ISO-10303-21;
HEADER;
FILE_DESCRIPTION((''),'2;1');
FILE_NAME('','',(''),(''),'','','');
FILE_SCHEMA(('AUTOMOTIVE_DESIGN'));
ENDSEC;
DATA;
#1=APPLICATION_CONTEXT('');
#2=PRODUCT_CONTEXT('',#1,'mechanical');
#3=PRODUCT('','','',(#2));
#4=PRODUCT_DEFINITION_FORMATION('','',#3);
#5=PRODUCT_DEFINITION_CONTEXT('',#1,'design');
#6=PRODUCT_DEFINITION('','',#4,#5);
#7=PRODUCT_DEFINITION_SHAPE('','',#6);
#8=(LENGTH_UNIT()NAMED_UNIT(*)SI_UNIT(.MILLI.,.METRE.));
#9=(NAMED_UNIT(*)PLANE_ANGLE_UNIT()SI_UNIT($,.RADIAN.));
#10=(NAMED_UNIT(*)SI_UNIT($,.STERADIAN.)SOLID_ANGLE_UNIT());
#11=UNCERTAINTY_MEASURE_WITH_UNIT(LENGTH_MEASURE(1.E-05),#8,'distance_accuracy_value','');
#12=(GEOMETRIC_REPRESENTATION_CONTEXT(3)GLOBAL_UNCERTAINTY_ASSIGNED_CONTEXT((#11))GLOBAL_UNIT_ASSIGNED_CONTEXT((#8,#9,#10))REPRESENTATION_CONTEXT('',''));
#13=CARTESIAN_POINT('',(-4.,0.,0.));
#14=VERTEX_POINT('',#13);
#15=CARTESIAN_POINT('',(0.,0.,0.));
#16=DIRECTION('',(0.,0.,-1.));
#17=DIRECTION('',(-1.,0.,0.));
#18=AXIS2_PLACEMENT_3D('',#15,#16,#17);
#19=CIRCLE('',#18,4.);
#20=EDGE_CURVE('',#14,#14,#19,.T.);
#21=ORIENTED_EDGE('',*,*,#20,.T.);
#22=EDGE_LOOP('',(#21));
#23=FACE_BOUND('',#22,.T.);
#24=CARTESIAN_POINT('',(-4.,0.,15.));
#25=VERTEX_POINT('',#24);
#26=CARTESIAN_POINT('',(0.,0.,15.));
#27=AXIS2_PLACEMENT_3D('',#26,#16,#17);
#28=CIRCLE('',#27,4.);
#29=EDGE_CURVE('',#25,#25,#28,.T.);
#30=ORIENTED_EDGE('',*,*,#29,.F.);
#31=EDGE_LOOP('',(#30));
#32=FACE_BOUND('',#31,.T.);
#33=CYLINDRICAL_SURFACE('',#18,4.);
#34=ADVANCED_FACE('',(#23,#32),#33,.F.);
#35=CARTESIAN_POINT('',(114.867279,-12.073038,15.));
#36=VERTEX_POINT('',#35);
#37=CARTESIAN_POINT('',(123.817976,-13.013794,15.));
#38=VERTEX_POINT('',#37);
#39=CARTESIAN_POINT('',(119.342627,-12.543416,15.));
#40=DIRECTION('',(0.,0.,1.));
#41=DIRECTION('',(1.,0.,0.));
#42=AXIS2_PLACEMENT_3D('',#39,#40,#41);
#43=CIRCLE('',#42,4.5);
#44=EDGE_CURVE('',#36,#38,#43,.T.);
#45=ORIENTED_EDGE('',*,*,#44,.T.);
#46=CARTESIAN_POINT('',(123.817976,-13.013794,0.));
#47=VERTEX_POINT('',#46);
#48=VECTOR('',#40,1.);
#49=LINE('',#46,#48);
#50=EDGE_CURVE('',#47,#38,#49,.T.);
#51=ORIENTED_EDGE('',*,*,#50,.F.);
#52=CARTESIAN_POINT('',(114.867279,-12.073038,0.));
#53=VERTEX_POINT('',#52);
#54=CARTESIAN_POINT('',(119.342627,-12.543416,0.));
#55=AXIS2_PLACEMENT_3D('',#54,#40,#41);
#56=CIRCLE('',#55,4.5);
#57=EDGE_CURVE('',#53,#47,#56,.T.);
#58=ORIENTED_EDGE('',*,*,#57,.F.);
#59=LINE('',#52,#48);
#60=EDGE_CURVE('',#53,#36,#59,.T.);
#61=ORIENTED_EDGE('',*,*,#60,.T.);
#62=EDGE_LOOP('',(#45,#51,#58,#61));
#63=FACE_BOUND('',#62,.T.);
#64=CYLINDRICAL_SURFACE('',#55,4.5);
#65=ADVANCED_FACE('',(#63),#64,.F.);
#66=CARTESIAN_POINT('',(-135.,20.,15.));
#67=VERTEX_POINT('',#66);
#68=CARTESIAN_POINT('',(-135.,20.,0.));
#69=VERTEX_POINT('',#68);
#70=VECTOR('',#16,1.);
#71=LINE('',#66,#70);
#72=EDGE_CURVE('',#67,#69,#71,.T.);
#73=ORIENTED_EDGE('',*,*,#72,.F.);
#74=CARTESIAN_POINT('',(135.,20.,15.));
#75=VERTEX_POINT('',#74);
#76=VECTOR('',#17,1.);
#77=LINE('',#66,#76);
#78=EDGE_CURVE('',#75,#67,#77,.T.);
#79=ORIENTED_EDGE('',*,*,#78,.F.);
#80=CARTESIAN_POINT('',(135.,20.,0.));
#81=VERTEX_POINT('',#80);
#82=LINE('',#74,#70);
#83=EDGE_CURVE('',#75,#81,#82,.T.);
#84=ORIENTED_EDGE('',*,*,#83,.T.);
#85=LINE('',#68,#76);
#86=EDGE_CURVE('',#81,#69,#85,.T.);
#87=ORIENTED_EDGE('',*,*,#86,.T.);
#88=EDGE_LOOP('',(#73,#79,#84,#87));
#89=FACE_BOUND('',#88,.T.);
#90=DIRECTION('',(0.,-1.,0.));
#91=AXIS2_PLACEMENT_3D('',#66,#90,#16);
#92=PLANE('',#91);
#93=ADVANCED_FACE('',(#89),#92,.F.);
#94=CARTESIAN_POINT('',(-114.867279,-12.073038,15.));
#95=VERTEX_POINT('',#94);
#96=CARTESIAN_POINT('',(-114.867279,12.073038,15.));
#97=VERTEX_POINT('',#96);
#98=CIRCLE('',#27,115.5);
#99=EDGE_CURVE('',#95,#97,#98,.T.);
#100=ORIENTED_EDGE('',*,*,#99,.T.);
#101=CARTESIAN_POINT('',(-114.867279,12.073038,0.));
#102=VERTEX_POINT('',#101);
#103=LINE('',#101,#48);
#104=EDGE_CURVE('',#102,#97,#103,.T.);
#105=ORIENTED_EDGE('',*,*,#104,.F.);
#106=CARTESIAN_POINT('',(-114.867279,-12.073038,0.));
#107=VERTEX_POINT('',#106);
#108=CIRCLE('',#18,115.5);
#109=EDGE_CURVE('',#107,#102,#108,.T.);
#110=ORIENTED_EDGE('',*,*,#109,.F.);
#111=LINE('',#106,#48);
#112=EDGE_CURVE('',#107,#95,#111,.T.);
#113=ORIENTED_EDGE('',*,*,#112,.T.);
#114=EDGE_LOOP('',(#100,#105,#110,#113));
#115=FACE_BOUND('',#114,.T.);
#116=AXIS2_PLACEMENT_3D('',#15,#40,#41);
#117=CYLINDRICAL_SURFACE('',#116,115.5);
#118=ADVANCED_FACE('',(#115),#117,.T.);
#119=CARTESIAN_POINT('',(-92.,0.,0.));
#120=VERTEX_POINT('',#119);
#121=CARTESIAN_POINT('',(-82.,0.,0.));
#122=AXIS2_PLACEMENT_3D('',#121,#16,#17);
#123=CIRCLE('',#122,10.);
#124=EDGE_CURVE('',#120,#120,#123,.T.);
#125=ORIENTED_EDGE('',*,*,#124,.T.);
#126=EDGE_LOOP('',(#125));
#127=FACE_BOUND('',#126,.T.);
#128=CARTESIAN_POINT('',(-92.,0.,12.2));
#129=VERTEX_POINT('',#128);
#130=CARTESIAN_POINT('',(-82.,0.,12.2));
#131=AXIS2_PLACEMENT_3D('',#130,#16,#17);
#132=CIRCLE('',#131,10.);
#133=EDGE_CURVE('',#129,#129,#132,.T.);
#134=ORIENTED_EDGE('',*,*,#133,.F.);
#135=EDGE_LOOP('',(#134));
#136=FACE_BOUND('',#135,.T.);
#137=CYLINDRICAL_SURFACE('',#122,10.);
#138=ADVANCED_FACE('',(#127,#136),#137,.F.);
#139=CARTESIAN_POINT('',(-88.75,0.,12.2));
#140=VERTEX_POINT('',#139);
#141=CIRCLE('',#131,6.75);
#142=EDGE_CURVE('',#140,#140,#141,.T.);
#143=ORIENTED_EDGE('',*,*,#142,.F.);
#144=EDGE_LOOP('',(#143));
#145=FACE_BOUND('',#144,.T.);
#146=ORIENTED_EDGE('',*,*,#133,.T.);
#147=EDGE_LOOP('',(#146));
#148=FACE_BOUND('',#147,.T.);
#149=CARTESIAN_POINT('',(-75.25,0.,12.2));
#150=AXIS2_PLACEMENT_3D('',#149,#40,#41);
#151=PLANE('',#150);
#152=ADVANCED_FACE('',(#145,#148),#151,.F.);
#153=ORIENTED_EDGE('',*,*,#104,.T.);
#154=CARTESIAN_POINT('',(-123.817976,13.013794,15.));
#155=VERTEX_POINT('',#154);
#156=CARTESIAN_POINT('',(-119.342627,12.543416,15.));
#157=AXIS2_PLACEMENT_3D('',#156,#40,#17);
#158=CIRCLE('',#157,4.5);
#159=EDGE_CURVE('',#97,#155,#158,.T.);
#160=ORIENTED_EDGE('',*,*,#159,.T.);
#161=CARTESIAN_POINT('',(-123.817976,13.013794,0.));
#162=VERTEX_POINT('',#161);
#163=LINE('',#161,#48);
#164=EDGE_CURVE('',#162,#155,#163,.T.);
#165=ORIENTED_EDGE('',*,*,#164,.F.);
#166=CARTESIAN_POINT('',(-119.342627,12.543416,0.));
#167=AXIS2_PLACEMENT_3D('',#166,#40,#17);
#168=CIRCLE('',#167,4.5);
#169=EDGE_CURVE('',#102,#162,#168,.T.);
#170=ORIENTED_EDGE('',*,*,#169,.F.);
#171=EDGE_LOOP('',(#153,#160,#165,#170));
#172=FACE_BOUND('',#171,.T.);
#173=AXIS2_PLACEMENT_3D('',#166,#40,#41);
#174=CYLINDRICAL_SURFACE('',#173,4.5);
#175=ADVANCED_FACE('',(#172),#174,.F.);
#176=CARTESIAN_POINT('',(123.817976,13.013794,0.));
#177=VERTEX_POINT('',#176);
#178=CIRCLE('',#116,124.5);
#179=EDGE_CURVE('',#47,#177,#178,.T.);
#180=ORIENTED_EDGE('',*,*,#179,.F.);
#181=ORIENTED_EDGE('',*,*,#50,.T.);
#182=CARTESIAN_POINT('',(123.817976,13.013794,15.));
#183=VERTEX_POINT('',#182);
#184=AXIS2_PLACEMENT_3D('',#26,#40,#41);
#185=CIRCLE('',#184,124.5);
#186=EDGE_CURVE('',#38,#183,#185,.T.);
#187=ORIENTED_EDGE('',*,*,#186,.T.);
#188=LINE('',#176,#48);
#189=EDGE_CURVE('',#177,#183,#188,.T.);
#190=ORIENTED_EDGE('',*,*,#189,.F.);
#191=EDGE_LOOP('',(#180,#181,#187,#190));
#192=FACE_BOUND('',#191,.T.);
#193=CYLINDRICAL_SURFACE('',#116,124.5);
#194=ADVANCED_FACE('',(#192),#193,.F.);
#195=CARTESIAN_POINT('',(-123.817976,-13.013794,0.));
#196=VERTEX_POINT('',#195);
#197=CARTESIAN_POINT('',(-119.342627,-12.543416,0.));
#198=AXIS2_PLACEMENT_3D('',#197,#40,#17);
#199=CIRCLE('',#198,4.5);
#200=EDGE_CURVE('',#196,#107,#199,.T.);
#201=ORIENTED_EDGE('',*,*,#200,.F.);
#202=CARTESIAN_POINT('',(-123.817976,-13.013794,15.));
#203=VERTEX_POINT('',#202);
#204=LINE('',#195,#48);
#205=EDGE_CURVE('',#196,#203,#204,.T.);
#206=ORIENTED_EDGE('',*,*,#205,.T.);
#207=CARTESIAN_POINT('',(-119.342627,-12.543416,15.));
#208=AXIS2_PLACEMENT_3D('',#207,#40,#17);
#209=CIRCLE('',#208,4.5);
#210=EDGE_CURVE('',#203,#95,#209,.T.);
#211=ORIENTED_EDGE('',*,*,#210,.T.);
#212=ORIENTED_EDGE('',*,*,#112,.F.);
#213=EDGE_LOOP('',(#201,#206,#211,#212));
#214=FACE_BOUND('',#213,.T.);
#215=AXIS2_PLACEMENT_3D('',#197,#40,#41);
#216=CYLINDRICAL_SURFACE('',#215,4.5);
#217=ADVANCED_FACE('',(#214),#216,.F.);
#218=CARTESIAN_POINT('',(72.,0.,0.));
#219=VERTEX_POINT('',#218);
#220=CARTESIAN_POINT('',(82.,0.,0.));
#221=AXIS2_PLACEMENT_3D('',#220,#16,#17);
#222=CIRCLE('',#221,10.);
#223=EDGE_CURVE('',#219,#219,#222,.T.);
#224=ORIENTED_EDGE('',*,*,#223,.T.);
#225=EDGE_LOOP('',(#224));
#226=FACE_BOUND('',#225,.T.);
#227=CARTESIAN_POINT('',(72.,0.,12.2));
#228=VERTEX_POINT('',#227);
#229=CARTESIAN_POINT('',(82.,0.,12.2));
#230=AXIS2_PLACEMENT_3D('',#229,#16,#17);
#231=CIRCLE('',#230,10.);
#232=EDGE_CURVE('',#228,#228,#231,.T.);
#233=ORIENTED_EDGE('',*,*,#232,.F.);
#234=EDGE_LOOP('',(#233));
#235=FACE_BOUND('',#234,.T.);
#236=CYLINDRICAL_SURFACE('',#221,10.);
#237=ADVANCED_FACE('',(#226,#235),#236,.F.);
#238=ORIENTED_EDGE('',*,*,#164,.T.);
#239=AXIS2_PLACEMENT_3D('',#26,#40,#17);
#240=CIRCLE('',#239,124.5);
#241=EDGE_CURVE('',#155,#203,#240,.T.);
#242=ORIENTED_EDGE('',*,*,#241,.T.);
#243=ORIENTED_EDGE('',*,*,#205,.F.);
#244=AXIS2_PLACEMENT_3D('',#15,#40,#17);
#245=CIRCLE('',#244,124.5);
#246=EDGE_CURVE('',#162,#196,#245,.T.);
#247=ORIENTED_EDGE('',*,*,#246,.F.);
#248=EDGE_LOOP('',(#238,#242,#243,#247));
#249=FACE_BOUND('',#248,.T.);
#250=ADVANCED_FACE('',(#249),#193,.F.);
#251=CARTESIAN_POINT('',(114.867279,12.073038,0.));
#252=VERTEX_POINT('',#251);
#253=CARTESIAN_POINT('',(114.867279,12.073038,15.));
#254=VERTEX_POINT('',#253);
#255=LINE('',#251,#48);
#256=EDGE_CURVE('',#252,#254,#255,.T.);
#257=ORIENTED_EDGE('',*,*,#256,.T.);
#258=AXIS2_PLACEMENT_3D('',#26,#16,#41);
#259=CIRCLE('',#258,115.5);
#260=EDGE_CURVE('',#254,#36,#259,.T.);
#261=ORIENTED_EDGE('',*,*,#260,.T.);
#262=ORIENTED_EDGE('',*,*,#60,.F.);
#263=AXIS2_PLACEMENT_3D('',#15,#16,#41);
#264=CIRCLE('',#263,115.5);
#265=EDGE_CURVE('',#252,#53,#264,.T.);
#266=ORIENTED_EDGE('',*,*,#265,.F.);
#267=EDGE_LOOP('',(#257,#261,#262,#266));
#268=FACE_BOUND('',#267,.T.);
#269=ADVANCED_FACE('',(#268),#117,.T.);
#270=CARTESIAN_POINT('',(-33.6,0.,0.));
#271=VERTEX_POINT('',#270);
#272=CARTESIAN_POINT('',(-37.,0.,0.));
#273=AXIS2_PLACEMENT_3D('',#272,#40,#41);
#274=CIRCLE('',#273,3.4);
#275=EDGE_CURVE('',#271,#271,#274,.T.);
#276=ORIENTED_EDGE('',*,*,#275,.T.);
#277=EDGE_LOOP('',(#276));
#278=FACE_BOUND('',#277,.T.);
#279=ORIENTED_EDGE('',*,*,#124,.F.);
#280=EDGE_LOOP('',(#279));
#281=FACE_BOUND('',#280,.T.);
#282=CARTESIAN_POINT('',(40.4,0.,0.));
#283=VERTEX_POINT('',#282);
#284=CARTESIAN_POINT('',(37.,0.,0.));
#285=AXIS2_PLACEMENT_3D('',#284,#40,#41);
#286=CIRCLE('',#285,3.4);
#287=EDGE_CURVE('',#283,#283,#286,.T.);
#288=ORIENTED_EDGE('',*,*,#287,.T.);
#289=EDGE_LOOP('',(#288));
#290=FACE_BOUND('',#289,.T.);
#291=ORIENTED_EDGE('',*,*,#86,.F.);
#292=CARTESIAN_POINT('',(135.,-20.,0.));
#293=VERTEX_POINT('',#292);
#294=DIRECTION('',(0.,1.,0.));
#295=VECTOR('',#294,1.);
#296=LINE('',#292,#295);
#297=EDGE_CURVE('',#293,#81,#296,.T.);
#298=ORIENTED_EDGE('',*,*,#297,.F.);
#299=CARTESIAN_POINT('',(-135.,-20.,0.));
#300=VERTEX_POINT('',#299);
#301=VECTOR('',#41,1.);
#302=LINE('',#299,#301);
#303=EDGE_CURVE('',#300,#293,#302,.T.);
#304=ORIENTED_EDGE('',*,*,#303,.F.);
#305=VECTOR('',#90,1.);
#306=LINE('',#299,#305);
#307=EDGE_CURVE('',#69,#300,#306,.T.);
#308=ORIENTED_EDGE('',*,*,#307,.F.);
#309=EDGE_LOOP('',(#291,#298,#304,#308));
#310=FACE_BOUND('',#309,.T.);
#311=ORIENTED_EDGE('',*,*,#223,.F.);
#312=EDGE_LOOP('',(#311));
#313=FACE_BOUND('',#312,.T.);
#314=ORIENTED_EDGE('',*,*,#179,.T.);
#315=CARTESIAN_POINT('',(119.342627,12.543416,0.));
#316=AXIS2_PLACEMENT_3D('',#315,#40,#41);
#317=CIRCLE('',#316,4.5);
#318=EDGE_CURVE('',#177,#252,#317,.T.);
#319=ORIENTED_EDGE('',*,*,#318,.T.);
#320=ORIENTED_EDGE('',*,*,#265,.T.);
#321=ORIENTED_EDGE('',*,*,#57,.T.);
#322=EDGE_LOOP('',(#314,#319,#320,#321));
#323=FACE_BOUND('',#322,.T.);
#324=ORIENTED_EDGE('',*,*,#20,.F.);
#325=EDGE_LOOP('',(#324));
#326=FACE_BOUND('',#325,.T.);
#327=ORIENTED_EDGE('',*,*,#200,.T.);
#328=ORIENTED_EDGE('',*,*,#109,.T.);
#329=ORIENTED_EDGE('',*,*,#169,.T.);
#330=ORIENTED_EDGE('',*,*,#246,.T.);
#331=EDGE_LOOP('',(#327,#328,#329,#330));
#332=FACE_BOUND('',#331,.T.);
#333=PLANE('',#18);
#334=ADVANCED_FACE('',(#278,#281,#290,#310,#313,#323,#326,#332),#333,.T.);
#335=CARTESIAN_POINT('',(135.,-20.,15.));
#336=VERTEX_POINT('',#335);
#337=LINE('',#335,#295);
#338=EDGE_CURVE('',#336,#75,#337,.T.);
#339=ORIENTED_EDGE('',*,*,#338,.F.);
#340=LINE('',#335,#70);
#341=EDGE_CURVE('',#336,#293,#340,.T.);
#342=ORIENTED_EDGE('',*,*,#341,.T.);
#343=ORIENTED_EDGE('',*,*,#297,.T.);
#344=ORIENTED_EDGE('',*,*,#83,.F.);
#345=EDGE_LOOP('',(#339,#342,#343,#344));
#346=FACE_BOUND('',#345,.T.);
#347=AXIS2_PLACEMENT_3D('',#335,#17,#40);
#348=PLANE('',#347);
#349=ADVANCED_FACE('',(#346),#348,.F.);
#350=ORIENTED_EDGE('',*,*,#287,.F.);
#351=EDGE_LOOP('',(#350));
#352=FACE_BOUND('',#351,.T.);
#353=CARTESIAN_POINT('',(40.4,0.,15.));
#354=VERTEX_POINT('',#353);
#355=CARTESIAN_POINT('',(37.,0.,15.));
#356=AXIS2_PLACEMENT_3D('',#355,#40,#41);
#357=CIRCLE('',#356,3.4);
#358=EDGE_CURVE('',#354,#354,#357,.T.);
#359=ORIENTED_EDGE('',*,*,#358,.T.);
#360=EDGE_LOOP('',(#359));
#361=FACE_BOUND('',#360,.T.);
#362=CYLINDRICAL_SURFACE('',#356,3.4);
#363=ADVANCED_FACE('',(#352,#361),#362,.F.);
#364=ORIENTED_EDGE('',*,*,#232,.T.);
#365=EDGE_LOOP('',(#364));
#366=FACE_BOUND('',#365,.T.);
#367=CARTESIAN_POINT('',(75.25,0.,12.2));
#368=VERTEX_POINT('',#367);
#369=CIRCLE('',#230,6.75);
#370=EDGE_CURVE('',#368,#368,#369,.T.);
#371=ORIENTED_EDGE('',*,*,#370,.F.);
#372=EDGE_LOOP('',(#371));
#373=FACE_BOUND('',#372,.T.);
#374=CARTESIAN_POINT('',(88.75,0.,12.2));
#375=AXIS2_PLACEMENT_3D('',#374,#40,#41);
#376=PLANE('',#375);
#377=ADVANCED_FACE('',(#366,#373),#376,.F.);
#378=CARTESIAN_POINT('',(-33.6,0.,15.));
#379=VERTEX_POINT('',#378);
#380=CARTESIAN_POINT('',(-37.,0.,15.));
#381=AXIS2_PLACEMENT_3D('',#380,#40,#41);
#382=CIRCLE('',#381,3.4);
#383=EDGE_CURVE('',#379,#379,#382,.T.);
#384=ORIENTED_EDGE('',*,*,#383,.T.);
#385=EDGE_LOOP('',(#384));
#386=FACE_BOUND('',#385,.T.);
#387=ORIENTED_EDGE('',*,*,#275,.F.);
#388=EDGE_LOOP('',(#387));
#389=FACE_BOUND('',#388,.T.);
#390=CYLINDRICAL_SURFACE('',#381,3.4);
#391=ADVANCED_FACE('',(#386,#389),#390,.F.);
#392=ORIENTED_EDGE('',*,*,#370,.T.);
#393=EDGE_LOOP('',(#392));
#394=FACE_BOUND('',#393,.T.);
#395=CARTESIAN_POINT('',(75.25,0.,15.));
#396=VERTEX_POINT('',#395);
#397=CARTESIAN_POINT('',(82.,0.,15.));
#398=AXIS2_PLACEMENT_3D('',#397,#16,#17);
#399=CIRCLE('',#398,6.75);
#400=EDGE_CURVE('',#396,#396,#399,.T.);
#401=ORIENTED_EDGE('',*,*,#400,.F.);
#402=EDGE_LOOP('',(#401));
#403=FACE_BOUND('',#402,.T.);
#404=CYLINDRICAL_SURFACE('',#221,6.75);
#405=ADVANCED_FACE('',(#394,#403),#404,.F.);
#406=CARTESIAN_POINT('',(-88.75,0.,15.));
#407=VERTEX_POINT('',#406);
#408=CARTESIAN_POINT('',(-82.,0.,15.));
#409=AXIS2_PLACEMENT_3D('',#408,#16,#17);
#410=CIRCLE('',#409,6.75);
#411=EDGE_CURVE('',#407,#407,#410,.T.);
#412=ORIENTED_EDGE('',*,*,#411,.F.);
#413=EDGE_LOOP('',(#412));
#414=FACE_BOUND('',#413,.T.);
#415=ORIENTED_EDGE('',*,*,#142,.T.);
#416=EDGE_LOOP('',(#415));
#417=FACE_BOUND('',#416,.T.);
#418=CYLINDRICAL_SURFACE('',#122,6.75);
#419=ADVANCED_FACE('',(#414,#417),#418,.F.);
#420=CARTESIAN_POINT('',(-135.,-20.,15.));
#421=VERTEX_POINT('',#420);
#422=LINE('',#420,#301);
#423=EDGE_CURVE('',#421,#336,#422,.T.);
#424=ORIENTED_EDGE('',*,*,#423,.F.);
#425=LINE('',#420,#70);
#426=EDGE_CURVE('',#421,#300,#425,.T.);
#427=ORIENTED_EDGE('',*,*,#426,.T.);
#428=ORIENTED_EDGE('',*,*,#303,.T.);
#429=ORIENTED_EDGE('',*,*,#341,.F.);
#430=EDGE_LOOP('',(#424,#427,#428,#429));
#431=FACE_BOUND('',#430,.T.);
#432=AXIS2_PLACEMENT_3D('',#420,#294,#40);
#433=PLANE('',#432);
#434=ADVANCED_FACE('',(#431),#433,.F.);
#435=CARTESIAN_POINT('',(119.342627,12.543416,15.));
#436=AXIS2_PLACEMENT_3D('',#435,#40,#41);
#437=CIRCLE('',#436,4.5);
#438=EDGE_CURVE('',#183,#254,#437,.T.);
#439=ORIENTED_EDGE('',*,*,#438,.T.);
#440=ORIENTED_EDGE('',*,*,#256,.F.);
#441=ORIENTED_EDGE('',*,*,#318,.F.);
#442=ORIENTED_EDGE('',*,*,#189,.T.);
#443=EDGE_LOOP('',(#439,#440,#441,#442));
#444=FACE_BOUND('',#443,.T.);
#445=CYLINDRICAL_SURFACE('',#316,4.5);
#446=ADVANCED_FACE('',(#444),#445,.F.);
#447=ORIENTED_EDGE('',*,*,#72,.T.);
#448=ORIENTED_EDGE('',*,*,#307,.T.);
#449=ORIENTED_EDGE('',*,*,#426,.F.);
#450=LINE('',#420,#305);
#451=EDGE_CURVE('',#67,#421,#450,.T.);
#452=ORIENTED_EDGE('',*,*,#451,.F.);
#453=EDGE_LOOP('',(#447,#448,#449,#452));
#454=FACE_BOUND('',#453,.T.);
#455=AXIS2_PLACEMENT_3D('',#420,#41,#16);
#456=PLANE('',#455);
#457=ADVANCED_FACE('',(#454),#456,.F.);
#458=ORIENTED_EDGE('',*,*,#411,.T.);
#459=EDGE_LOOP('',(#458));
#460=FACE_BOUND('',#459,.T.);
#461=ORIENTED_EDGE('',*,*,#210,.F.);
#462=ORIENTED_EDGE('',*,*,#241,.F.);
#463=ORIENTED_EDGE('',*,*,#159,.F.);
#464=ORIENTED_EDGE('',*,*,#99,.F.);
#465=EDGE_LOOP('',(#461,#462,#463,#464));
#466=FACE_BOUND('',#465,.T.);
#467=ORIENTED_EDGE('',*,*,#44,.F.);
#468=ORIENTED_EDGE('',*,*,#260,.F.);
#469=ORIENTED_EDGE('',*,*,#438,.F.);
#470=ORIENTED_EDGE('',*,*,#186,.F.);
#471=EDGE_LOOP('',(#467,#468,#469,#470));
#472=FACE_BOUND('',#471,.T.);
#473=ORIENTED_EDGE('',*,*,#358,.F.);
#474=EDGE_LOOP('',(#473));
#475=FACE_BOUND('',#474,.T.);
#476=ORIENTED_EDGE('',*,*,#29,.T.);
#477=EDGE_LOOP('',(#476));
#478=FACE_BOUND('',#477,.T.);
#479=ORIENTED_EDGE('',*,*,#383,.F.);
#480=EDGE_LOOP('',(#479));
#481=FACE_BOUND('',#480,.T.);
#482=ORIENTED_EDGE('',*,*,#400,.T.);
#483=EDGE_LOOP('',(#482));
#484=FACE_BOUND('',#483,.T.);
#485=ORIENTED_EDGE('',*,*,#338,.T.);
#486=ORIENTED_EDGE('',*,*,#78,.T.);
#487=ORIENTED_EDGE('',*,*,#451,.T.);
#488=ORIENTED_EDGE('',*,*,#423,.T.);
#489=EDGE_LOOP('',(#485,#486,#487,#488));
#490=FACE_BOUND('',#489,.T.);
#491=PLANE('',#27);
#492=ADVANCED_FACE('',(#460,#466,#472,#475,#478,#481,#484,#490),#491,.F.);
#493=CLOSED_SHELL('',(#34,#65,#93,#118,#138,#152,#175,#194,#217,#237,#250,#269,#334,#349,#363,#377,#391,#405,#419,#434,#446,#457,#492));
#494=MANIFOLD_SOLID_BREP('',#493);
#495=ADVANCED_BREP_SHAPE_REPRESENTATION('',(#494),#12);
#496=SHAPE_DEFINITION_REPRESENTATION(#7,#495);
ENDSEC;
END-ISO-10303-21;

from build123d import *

# Parameters (mm, degrees)
SKETCH_1_W                = 270
SKETCH_1_H                = 40
EXTRUDE_1_DEPTH           = 15
HOLE_WIZARD_1_D           = 13.5
HOLE_WIZARD_1_CBORE_D     = 20
HOLE_WIZARD_1_CBORE_DEPTH = 12.2
CUT_EXTRUDE_1_DEPTH       = 138.295302177
HOLE_WIZARD_M8_1_D        = 6.8
HOLE_WIZARD_1_2_D         = 8


with BuildPart() as part:
    # 草图1 → 凸台-拉伸1 (new body)
    with BuildSketch(Plane.XY):
        Rectangle(SKETCH_1_W, SKETCH_1_H)
    extrude(amount=EXTRUDE_1_DEPTH)

    # Hole Wizard 1 (through all)
    with Locations(Plane(origin=(0, 0, 0), x_dir=(-1, 0, 0), z_dir=(0, 0, -1))):
        with Locations((-82, 0), (82, 0)):
            CounterBoreHole(HOLE_WIZARD_1_D / 2, HOLE_WIZARD_1_CBORE_D / 2, HOLE_WIZARD_1_CBORE_DEPTH)

    # 草图4 → 切除-拉伸1 (cut, through all)
    with BuildSketch(Plane.XY.offset(15)):
        with BuildLine():
            ThreePointArc((114.867278915, -12.073037507), (115.5, 0), (114.867278915, 12.073037507))
            ThreePointArc((114.867278915, 12.073037507), (118.872249359, 17.018764121), (123.817975973, 13.013793677))
            ThreePointArc((123.817975973, 13.013793677), (124.5, 0), (123.817975973, -13.013793677))
            ThreePointArc((123.817975973, -13.013793677), (118.872249359, -17.018764121), (114.867278915, -12.073037507))
        make_face()
        with BuildLine():
            ThreePointArc((-114.867278915, -12.073037507), (-118.872249359, -17.018764121), (-123.817975973, -13.013793677))
            ThreePointArc((-123.817975973, -13.013793677), (-124.5, 0), (-123.817975973, 13.013793677))
            ThreePointArc((-123.817975973, 13.013793677), (-118.872249359, 17.018764121), (-114.867278915, 12.073037507))
            ThreePointArc((-114.867278915, 12.073037507), (-115.5, 0), (-114.867278915, -12.073037507))
        make_face()
    extrude(amount=-CUT_EXTRUDE_1_DEPTH, mode=Mode.SUBTRACT)

    # M8 螺纹孔1 (through all)
    with Locations(Plane.XY.offset(15)):
        with Locations((-37, 0), (37, 0)):
            Hole(HOLE_WIZARD_M8_1_D / 2)

    # Hole Wizard 1 2 (through all)
    with Locations(Plane(origin=(0, 0, 0), x_dir=(-1, 0, 0), z_dir=(0, 0, -1))):
        with Locations((0, 0)):
            Hole(HOLE_WIZARD_1_2_D / 2)


solid = part.part
